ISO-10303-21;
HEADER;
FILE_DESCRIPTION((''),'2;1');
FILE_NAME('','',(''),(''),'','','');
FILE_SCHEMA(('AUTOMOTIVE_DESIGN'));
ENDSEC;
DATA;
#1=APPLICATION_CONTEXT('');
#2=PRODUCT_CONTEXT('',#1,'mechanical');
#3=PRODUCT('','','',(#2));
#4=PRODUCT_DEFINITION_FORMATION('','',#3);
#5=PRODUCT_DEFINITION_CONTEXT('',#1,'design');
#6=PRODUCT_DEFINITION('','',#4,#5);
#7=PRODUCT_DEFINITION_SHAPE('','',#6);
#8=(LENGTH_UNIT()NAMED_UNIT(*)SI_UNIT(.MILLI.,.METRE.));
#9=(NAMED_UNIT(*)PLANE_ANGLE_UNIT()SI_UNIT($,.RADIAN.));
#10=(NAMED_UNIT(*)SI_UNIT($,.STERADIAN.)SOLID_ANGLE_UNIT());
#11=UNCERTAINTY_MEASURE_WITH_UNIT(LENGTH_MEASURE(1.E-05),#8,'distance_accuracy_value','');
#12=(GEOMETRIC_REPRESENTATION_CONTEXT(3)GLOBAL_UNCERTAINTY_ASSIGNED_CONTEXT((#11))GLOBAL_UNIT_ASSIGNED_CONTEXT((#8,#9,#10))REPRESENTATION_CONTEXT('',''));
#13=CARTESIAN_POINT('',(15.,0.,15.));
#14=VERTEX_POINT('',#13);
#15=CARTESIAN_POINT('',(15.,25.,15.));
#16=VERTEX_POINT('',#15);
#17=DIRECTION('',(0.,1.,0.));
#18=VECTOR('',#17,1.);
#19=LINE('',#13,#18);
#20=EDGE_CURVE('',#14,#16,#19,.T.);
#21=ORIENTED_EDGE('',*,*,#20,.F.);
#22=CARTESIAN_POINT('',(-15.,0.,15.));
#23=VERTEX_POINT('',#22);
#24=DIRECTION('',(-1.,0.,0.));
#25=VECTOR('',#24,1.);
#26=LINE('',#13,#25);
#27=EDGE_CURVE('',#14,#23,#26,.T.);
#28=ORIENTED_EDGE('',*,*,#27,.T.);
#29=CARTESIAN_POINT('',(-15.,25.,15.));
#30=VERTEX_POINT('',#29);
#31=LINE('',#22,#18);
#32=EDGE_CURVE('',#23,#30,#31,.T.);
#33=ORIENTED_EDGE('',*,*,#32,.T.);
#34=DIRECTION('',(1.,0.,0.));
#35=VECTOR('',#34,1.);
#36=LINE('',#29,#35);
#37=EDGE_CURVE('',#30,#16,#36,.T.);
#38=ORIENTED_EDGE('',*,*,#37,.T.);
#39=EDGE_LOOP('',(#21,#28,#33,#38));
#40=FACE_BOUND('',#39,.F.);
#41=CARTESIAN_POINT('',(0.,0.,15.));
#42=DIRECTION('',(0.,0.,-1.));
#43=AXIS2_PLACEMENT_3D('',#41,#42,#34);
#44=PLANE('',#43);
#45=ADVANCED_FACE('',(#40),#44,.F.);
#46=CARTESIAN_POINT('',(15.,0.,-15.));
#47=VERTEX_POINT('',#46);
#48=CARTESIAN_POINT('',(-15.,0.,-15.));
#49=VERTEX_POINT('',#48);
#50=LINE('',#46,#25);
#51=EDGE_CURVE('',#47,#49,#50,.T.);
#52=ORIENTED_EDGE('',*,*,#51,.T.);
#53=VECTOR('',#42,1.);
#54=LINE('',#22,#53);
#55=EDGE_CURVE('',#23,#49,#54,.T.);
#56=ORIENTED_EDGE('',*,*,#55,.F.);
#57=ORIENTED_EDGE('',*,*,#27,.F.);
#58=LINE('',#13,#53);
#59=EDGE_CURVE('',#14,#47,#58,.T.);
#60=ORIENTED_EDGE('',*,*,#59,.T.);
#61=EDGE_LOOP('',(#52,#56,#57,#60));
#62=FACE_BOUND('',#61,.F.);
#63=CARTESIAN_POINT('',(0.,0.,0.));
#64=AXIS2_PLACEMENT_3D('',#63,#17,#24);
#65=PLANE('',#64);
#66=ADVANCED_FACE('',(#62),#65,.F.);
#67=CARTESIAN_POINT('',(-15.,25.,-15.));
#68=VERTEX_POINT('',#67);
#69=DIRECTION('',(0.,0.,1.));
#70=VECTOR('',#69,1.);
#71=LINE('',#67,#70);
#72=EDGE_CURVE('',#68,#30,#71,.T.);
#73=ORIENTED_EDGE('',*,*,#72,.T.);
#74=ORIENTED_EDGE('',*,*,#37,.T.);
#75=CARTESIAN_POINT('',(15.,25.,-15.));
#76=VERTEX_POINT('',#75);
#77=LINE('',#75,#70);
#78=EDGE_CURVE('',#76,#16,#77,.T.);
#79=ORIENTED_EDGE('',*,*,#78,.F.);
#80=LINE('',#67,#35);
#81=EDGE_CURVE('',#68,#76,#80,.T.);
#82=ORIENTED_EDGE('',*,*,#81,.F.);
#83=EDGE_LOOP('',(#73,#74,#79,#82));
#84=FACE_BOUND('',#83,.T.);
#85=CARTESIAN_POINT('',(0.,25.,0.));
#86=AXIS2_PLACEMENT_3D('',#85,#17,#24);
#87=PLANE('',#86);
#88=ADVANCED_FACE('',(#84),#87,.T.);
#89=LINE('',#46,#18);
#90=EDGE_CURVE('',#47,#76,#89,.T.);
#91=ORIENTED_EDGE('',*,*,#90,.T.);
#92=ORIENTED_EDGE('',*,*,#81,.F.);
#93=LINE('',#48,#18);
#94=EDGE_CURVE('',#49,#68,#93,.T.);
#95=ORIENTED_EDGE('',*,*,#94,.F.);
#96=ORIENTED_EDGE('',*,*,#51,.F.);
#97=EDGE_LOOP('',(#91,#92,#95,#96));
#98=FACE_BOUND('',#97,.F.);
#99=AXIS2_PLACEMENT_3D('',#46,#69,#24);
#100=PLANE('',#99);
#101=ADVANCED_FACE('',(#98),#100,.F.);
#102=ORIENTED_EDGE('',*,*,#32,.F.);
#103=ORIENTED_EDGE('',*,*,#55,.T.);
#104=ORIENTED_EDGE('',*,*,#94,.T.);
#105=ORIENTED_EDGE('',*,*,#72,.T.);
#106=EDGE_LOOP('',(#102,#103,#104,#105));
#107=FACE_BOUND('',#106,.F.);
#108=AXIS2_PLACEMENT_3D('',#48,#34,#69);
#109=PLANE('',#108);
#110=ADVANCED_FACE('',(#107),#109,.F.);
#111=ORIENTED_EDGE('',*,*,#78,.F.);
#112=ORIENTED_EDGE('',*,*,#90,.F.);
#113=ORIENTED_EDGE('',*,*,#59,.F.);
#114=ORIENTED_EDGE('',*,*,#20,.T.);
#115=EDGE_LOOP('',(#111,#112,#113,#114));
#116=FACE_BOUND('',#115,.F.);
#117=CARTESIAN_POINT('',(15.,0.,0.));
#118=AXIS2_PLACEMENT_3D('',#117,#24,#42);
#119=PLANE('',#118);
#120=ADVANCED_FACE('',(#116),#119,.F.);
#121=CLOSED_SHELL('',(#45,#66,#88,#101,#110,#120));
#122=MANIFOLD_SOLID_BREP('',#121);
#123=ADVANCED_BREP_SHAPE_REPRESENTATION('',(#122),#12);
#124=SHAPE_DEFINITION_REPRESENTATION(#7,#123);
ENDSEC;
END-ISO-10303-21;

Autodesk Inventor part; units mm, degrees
ref_plane "YZ Plane" through (0, 0, 0) normal (1, 0, 0) x (0, 1, 0)
ref_plane "XZ Plane" through (0, 0, 0) normal (0, 1, 0) x (-1, 0, 0)
ref_plane "XY Plane" through (0, 0, 0) normal (0, 0, 1) x (1, 0, 0)
sketch "Sketch1" plane through (0, 0, 0) normal (0, 1, 0) x (-1, 0, 0)
  line L0 (0, -21) -> (0, 21) projected
  line L1 (-21, 0) -> (21, 0) projected
  line L2 (15, 15) -> (-15, 15)
  line L3 (-15, 15) -> (-15, -15)
  line L4 (-15, -15) -> (15, -15)
  line L5 (15, -15) -> (15, 15)
  point P0 (0, 0)
  dimension "d0" = 30
  dimension "d1" = 30
extrude "Extrusion1" add sketch "Sketch1" along normal blind 25
equation "\"d1\" = d0"
properties part number "DISTANCE_BRICK_BOTTOM" material "Wood (Birch)"
